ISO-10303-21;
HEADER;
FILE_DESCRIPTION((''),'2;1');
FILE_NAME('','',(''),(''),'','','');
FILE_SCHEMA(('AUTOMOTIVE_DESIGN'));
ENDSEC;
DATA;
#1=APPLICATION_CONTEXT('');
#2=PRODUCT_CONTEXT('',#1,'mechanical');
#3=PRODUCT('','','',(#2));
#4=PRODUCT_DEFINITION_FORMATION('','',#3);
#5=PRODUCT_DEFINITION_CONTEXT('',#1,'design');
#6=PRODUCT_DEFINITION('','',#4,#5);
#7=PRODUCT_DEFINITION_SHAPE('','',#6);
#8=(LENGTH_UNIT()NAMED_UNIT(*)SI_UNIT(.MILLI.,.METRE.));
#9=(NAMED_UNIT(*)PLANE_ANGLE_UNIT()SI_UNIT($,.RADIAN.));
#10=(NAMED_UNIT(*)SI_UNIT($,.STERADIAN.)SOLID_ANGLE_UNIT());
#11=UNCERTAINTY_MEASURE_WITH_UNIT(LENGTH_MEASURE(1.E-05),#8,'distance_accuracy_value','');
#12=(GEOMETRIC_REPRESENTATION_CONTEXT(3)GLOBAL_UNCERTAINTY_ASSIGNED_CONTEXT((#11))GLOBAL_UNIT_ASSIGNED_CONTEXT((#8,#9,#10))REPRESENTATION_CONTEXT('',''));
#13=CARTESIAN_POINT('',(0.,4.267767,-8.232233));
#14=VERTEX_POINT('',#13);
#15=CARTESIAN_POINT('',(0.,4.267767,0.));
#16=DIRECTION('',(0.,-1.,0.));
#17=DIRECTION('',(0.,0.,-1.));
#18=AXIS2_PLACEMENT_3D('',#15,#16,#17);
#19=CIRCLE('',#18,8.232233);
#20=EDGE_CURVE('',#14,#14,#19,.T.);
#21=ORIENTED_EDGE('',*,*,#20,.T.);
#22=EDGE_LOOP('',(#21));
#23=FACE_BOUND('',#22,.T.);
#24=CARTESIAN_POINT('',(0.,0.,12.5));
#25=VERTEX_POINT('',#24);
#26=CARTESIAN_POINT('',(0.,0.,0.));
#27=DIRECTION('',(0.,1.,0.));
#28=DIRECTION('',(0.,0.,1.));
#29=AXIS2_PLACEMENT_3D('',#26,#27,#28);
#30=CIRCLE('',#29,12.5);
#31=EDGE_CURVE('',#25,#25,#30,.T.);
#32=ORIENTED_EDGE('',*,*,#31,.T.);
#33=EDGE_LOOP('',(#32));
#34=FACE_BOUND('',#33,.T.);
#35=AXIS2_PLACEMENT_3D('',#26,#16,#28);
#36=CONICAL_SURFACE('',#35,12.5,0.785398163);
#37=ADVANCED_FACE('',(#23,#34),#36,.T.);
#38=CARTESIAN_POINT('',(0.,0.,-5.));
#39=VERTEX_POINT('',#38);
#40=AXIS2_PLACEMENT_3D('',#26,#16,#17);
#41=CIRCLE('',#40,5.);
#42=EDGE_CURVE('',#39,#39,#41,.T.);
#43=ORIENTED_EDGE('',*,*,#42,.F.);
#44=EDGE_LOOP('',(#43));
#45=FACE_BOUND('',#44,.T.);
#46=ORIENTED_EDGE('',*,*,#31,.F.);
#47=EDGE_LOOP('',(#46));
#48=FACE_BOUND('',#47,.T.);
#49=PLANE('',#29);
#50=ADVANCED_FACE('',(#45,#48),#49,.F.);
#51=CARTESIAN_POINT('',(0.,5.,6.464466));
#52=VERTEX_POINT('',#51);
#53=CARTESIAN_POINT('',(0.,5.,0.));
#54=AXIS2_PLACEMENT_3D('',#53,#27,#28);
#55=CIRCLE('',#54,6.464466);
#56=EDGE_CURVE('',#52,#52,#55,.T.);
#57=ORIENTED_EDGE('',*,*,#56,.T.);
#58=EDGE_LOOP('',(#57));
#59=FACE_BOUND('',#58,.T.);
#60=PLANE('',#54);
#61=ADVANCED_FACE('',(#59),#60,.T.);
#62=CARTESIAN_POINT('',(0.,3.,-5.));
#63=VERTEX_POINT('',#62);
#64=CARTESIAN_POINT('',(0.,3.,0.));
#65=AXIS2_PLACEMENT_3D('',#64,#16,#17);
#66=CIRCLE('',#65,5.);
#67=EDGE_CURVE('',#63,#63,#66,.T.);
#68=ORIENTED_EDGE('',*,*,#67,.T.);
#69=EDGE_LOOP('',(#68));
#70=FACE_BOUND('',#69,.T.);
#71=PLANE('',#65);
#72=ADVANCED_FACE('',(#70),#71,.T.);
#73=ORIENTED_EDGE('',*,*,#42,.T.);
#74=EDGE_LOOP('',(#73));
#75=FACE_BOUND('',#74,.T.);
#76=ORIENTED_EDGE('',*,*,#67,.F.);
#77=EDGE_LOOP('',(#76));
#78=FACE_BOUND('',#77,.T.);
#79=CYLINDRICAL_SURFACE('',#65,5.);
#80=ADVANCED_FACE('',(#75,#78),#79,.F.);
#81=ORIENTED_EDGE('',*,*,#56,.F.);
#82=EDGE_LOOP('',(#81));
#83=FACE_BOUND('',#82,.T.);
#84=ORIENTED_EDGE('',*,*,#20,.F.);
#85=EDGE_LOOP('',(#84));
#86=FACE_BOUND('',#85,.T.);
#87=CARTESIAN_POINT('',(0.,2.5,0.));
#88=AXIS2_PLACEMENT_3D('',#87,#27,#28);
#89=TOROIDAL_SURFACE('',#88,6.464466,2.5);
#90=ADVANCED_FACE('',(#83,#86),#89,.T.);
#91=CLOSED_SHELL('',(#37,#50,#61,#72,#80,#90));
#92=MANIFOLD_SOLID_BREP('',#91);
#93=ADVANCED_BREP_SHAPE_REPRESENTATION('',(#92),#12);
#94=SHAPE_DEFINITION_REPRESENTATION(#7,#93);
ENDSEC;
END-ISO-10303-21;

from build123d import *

# Parameters (mm, degrees)
SKETCH1_R           = 12.5
BOSS_EXTRUDE1_DEPTH = 5
BOSS_EXTRUDE1_TAPER = 45
FILLET2_R           = 2.5
SKETCH2_R           = 5
CUT_EXTRUDE1_DEPTH  = 3


with BuildPart() as part:
    # Sketch1 → Boss-Extrude1 (new body)
    with BuildSketch(Plane(origin=(0, 0, 0), x_dir=(1, 0, 0), z_dir=(0, 1, 0))):
        Circle(SKETCH1_R)
    extrude(amount=BOSS_EXTRUDE1_DEPTH, taper=BOSS_EXTRUDE1_TAPER)

    # Fillet2
    fillet2_edges = [part.edges().sort_by_distance(p)[0] for p in [
        (-7.5, 5, 0),
    ]]
    fillet(fillet2_edges, radius=FILLET2_R)

    # Sketch2 → Cut-Extrude1 (cut)
    with BuildSketch(Plane.XZ):
        with Locations(Location((0, 0, 0), (0, 0, 270))):
            Circle(SKETCH2_R)
    extrude(amount=-CUT_EXTRUDE1_DEPTH, mode=Mode.SUBTRACT)


solid = part.part
